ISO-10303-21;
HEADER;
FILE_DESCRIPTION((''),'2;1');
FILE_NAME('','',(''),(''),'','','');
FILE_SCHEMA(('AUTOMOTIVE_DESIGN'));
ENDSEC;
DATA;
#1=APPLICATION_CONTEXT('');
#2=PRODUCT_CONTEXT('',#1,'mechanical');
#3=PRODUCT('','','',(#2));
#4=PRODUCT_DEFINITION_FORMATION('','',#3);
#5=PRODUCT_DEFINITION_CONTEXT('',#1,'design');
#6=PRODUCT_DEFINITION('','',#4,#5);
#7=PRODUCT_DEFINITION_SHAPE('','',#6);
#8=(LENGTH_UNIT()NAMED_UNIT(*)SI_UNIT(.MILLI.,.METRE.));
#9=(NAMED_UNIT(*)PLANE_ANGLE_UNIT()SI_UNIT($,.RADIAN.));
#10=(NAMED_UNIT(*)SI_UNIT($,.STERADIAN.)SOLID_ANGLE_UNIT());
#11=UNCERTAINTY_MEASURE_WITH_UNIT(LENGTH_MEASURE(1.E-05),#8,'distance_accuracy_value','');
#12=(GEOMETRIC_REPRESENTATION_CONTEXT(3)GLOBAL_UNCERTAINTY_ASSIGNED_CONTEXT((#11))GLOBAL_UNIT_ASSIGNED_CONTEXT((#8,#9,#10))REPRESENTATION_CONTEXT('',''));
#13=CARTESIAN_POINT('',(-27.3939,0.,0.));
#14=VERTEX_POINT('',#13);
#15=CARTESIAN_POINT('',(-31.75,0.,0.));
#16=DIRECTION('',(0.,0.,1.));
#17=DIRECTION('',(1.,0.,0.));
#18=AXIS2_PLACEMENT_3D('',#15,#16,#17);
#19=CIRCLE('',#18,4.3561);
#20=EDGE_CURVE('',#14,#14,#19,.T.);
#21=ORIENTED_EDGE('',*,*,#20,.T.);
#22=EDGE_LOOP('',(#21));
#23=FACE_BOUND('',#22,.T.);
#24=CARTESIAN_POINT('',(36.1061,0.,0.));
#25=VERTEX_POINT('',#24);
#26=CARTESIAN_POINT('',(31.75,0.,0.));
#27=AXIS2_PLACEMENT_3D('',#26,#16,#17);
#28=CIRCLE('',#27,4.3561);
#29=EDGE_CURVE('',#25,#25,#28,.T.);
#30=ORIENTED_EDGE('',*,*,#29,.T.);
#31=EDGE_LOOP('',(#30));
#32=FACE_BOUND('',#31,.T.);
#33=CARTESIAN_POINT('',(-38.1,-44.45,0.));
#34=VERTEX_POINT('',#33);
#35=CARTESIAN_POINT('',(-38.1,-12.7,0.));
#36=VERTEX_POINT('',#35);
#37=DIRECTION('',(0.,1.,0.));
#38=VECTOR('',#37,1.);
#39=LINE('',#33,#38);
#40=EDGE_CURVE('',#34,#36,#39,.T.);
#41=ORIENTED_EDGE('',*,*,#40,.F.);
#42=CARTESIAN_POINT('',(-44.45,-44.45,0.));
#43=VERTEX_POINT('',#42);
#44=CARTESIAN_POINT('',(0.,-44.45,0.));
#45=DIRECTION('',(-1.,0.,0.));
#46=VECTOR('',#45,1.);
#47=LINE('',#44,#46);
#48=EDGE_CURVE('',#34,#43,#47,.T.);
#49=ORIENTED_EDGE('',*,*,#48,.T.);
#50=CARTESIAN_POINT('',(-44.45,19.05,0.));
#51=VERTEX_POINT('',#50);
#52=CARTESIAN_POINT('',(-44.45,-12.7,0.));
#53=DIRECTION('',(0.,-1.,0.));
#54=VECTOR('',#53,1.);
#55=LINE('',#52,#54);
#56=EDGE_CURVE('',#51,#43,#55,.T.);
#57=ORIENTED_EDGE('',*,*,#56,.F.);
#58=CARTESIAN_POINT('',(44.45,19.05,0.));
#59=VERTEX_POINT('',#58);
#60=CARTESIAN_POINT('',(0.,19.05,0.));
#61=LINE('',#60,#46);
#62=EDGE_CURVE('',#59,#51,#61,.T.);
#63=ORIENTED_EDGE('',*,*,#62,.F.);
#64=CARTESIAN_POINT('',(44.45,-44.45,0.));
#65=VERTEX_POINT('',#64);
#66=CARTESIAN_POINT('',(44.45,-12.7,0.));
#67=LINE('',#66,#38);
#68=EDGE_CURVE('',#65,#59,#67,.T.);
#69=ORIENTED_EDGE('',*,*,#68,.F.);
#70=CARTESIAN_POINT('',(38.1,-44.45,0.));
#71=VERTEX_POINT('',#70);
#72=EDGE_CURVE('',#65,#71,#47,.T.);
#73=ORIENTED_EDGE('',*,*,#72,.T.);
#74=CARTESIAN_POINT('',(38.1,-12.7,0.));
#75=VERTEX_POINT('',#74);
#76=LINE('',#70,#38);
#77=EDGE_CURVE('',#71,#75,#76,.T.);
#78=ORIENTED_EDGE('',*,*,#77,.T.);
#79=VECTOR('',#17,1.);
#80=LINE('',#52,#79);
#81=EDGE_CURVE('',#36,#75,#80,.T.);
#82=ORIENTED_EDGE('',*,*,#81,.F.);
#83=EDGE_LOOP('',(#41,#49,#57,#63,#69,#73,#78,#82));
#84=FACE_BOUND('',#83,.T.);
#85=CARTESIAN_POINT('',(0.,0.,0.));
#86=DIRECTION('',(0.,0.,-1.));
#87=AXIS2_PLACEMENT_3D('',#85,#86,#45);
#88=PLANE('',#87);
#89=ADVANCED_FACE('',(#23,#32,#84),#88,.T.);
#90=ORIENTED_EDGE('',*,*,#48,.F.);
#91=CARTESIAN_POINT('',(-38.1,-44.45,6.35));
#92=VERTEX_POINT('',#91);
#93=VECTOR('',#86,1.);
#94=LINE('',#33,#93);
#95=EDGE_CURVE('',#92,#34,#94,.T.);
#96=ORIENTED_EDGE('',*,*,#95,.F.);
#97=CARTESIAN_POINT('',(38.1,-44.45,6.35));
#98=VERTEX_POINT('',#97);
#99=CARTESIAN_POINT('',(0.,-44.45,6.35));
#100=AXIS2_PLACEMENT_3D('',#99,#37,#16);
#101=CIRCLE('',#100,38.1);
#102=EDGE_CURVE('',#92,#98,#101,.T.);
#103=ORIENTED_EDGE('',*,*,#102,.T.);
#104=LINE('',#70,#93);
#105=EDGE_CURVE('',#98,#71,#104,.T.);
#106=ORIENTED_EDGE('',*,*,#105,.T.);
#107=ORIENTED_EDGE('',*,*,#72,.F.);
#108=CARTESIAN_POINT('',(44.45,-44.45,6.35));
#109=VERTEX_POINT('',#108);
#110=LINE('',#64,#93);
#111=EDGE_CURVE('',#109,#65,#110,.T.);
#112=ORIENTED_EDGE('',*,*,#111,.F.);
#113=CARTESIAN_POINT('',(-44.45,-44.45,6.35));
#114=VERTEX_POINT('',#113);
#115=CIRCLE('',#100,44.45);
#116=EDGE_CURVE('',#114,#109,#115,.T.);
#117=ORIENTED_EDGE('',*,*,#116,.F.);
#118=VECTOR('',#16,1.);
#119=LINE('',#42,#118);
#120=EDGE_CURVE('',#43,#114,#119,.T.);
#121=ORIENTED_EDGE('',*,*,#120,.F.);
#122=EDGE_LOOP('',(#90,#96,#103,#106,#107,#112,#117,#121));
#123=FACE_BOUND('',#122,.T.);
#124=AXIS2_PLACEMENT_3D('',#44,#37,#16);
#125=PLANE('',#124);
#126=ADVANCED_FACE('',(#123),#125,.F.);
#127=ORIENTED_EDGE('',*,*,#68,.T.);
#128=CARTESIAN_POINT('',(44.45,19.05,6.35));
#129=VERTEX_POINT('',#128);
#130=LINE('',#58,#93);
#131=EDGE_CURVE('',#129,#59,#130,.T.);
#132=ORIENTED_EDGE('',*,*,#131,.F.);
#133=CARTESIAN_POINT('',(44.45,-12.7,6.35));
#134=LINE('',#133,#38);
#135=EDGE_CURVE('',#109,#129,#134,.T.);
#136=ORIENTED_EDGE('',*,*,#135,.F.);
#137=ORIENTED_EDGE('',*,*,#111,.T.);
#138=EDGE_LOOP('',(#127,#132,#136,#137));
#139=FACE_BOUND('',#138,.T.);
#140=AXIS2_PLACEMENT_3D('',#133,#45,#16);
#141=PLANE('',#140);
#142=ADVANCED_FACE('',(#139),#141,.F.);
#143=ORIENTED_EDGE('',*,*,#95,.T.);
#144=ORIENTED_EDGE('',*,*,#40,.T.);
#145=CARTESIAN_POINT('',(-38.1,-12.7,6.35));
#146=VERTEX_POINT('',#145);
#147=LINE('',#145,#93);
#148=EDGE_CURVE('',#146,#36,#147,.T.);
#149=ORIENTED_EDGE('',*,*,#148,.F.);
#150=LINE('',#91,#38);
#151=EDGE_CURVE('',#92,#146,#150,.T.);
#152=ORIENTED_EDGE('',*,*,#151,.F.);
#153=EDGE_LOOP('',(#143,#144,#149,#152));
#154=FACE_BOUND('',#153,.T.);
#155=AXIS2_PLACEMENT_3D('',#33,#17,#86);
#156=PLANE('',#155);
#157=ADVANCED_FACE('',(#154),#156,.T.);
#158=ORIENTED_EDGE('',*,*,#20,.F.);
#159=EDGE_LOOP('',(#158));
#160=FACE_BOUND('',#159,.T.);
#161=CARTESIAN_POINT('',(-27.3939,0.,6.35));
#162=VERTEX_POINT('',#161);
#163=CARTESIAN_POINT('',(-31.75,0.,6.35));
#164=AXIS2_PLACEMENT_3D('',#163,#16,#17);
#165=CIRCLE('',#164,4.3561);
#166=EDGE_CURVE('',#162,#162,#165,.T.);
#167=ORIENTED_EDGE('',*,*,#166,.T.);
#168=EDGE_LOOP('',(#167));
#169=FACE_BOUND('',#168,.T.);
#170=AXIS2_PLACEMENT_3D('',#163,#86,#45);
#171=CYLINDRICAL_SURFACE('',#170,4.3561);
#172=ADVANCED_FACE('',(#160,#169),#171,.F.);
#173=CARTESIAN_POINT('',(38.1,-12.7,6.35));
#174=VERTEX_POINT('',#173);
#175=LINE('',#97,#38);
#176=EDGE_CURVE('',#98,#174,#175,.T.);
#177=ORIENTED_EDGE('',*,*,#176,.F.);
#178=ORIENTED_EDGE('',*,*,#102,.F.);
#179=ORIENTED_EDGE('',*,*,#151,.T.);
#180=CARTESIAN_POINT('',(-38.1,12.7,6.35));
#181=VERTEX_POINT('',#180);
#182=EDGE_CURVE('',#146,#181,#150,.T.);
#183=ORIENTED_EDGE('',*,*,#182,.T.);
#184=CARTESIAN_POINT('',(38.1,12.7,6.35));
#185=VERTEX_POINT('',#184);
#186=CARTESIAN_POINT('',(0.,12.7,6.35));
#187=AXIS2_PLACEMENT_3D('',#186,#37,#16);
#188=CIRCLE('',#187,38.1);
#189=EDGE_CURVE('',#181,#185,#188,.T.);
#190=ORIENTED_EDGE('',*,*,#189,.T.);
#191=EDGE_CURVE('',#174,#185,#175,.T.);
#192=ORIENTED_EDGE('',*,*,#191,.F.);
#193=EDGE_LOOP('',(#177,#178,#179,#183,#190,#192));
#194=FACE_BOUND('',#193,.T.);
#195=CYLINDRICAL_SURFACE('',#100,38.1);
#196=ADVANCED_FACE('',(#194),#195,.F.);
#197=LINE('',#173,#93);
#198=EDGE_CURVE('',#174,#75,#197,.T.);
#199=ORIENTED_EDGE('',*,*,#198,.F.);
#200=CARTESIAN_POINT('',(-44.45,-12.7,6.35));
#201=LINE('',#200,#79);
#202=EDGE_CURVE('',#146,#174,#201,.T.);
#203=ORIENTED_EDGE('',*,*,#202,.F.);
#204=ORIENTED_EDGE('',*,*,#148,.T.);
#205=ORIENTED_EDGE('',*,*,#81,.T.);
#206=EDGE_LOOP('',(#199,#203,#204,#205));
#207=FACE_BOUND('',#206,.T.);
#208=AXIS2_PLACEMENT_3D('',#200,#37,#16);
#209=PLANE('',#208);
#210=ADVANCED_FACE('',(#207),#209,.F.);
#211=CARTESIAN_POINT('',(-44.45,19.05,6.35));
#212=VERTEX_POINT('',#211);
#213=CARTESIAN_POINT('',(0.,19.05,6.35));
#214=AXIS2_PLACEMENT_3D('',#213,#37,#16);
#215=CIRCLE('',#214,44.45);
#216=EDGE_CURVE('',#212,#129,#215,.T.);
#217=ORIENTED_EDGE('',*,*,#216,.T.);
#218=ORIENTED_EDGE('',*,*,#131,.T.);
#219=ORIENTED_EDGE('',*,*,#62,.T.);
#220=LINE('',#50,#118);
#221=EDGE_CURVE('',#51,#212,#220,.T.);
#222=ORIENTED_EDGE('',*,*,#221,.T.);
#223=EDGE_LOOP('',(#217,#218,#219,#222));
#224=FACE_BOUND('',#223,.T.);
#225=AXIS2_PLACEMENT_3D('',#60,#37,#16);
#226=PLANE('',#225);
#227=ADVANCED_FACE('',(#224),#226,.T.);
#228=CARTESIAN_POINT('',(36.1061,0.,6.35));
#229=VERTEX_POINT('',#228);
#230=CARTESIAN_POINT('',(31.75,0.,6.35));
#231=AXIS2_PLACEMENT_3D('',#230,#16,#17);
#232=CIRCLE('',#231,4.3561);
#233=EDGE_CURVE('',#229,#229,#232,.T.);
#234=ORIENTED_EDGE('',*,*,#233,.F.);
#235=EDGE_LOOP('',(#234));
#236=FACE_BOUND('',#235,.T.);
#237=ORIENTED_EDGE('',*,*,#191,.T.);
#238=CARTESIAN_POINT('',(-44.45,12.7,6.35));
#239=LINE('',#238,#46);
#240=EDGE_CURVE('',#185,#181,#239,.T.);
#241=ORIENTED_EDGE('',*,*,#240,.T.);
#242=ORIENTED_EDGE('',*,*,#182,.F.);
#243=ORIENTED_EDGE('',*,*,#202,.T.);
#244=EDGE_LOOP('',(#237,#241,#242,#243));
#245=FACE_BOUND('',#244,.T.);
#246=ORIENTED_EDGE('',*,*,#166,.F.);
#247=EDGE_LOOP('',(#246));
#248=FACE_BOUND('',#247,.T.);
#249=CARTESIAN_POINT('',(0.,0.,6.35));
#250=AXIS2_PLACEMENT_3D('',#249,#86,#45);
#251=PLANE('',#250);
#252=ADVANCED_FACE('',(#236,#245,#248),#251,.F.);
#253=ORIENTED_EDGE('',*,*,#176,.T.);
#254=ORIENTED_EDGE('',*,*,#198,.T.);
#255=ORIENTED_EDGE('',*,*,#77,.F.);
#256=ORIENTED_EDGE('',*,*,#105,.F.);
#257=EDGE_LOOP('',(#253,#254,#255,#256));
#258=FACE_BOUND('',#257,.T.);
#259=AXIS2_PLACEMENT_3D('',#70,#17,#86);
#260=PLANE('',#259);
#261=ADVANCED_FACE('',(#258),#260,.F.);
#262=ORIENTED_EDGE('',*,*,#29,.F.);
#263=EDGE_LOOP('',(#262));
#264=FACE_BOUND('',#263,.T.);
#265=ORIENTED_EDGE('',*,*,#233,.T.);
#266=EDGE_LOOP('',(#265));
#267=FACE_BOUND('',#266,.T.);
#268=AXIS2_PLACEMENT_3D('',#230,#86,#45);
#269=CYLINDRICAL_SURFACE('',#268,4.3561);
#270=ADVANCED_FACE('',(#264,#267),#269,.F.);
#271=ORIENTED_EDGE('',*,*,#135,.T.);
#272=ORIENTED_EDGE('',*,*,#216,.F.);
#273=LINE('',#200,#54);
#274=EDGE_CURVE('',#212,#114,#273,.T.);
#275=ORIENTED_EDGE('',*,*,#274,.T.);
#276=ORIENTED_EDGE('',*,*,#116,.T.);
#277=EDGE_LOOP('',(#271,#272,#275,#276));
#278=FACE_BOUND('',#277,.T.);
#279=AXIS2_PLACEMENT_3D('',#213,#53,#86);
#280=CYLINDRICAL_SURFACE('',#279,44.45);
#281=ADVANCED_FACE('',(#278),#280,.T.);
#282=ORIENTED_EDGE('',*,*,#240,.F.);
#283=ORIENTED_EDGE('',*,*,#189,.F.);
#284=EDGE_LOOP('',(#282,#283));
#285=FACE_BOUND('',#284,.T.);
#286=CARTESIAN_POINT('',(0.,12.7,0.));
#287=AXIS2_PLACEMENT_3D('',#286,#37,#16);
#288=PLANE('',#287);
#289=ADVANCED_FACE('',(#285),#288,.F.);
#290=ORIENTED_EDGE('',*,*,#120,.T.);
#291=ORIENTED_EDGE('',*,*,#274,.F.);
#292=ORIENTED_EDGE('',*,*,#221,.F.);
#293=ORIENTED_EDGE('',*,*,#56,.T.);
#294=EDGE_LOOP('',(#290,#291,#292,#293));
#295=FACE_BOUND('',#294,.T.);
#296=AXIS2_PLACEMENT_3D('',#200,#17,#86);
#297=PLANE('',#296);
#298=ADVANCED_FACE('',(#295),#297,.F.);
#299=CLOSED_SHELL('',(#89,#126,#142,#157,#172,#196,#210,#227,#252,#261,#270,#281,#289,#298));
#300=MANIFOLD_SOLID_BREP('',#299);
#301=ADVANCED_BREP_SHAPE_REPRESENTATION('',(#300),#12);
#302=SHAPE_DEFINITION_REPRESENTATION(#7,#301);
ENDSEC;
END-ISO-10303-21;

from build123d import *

# Parameters (mm, degrees)
SKETCH1_W           = 88.9
SKETCH1_H           = 25.4
SKETCH1_R           = 4.3561
BOSS_EXTRUDE1_DEPTH = 6.35
SKETCH2_W           = 88.9
SKETCH2_H           = 6.35
BOSS_EXTRUDE2_DEPTH = 6.35
BOSS_EXTRUDE3_START = -63.5
BOSS_EXTRUDE3_DEPTH = 63.5


with BuildPart() as part:
    # Sketch1 → Boss-Extrude1 (new body)
    with BuildSketch(Plane.XY):
        Rectangle(SKETCH1_W, SKETCH1_H)
        with Locations((-31.75, 0)):
            Circle(SKETCH1_R, mode=Mode.SUBTRACT)
        with Locations((31.75, 0)):
            Circle(SKETCH1_R, mode=Mode.SUBTRACT)
    extrude(amount=BOSS_EXTRUDE1_DEPTH)

    # Sketch2 → Boss-Extrude2 (add)
    with BuildSketch(Plane(origin=(0, 12.7, 0), x_dir=(1, 0, 0), z_dir=(0, 1, 0))):
        with Locations((0, -3.175)):
            Rectangle(SKETCH2_W, SKETCH2_H)
        with BuildLine():
            ThreePointArc((-44.45, -6.35), (0, -50.8), (44.45, -6.35))
            Line((44.45, -6.35), (-44.45, -6.35))
        make_face()
    extrude(amount=BOSS_EXTRUDE2_DEPTH)

    # Sketch3 → Boss-Extrude3 (add)
    with BuildSketch(Plane(origin=(0, 19.05, 0), x_dir=(1, 0, 0), z_dir=(0, 1, 0)).offset(BOSS_EXTRUDE3_START)):
        with BuildLine():
            ThreePointArc((-44.45, -6.35), (0, -50.8), (44.45, -6.35))
            Line((44.45, -6.35), (44.45, 0))
            Line((44.45, 0), (38.1, 0))
            Line((38.1, 0), (38.1, -6.35))
            ThreePointArc((38.1, -6.35), (0, -44.45), (-38.1, -6.35))
            Line((-38.1, -6.35), (-38.1, 0))
            Line((-38.1, 0), (-44.45, 0))
            Line((-44.45, 0), (-44.45, -6.35))
        make_face()
    extrude(amount=BOSS_EXTRUDE3_DEPTH)


solid = part.part
